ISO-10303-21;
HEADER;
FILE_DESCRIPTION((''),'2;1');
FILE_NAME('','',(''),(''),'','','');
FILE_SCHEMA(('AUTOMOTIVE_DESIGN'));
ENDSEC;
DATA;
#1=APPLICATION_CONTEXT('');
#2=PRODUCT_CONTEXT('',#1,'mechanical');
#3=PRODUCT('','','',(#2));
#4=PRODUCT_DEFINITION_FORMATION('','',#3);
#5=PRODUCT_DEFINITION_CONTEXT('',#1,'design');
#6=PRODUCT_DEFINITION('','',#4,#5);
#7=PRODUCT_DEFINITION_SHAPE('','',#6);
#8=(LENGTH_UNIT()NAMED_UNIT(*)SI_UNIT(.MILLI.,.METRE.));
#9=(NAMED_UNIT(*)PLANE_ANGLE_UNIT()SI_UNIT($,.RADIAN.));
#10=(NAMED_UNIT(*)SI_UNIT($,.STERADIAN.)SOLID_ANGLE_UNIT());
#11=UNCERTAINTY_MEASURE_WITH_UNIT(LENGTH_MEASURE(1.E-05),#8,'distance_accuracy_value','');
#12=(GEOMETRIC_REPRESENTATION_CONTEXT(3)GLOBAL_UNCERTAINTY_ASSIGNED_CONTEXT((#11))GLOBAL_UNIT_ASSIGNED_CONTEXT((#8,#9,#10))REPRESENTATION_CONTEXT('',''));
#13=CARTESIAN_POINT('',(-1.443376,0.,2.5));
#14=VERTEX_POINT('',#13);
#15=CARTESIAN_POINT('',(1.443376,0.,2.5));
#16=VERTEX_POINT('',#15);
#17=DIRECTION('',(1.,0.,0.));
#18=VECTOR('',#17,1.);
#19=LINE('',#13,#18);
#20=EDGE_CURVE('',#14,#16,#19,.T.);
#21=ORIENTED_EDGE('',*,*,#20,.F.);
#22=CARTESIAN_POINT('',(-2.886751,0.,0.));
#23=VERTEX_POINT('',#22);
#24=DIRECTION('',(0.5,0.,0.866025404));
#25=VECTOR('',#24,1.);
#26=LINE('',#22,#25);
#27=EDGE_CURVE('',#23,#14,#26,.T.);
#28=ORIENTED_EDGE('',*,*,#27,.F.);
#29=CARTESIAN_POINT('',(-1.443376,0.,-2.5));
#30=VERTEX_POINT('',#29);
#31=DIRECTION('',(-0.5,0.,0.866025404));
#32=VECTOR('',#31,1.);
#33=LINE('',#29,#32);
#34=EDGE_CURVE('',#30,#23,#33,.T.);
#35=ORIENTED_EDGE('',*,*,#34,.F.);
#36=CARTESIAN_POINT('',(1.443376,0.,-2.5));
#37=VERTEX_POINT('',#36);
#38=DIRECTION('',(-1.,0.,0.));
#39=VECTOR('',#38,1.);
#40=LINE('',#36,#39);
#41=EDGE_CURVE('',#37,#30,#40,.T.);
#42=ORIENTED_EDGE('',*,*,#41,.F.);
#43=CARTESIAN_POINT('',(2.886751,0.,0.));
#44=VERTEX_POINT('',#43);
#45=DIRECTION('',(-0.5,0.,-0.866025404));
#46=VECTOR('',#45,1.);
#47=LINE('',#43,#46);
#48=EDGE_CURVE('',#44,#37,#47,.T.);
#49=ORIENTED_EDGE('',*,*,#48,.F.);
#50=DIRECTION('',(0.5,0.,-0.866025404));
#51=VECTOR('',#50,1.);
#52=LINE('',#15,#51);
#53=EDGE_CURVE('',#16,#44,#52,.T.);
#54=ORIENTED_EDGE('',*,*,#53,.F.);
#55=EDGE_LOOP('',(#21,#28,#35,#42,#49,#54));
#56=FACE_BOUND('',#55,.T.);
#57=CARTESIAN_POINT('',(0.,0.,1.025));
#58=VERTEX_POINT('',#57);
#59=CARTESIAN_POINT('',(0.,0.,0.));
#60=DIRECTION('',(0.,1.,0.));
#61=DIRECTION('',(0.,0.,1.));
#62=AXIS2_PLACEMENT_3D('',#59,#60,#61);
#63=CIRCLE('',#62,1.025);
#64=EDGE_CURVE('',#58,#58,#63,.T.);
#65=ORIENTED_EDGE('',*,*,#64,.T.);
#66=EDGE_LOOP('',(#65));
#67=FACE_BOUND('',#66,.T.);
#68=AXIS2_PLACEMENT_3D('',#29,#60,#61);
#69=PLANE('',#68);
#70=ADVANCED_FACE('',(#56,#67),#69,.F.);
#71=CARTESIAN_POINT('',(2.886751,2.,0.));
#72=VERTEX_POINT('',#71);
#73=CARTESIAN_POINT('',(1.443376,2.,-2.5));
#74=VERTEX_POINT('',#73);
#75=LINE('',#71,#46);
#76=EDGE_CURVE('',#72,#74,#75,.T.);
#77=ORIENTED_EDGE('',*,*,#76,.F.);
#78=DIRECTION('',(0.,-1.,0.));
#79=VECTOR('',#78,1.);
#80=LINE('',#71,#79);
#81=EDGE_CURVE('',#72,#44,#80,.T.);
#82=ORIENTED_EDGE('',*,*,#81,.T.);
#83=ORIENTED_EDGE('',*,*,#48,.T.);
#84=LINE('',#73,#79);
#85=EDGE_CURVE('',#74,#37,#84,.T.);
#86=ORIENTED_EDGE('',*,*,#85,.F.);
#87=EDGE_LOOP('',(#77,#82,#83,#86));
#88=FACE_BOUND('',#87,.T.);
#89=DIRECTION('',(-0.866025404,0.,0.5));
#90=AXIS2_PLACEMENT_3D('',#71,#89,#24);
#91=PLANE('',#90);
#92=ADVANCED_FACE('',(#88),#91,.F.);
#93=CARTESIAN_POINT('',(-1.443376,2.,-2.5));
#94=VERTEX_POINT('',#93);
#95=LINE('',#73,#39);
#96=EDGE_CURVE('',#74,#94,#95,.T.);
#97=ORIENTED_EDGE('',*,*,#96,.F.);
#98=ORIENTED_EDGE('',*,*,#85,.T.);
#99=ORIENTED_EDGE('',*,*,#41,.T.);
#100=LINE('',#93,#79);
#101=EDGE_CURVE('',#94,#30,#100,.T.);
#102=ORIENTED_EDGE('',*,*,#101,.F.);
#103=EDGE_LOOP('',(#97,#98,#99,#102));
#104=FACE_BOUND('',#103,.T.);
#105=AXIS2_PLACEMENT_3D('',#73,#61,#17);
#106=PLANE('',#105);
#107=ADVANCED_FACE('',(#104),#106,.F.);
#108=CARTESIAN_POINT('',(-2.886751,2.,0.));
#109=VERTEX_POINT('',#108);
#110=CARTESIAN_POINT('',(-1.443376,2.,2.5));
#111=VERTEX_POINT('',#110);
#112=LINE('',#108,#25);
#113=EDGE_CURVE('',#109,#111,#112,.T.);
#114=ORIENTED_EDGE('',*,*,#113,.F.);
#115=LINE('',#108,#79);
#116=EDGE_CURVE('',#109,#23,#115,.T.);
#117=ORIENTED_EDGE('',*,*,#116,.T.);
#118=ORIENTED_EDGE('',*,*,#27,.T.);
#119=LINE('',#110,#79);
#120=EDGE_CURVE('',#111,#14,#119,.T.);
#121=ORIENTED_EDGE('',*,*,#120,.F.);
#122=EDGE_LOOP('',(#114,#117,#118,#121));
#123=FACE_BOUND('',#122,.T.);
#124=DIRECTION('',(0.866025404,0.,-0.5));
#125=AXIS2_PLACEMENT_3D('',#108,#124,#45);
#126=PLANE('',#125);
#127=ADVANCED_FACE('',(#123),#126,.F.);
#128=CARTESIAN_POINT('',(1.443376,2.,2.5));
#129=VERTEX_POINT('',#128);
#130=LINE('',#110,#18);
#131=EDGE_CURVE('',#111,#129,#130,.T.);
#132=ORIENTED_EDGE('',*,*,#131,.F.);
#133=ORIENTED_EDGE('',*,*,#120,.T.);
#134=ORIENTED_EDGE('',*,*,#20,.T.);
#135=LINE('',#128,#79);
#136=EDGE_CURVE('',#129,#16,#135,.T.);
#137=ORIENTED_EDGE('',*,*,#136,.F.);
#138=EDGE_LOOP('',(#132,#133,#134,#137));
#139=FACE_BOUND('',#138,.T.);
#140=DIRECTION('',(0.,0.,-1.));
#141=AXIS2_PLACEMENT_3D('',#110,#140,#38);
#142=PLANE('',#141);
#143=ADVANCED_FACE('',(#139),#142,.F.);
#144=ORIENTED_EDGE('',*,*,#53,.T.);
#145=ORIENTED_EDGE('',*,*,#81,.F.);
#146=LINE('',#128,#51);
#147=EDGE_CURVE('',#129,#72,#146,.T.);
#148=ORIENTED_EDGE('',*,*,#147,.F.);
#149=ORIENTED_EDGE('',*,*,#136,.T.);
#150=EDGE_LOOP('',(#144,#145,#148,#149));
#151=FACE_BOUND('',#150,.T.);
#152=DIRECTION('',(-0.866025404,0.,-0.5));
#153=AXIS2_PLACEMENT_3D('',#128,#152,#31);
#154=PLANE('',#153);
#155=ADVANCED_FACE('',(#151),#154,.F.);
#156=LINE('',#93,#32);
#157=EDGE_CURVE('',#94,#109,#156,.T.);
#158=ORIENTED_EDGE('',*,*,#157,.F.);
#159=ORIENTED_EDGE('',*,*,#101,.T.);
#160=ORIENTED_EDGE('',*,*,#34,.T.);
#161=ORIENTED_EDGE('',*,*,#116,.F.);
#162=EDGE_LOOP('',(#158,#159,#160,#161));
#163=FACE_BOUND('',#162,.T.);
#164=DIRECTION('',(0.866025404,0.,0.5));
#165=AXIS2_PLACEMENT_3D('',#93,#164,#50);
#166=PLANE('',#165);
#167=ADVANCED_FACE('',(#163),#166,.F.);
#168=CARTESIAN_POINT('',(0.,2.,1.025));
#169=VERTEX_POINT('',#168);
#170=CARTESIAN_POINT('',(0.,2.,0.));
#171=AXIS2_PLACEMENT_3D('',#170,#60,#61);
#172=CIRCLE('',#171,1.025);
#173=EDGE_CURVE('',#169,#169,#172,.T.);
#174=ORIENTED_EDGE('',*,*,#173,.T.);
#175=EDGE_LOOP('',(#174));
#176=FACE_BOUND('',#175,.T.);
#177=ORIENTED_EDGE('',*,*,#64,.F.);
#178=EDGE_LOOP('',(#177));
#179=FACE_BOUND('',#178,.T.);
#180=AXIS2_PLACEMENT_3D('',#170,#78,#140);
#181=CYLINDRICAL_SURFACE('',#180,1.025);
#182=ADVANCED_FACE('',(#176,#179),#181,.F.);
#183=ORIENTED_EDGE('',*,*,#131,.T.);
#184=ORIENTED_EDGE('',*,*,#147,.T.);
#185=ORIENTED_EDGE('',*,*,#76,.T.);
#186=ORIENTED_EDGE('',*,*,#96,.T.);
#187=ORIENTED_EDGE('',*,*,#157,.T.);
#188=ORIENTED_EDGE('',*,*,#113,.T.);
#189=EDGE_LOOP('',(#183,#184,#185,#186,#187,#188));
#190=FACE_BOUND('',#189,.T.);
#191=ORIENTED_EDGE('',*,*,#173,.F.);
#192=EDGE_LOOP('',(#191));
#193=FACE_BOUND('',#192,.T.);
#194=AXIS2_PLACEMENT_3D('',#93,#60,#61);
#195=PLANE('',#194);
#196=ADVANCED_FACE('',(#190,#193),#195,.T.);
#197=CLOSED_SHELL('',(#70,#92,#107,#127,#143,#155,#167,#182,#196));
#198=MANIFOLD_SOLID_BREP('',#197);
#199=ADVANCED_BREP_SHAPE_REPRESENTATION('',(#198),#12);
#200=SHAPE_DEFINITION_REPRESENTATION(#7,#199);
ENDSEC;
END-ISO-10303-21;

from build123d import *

# Parameters (mm, degrees)
CROQUIS1_R              = 1.025
SALIENTE_EXTRUIR1_DEPTH = 2


with BuildPart() as part:
    # Croquis1 → Saliente-Extruir1 (new body)
    with BuildSketch(Plane(origin=(0, 0, 0), x_dir=(1, 0, 0), z_dir=(0, 1, 0))):
        Polygon((-1.443375673, 2.5), (-2.886751346, 0), (-1.443375673, -2.5), (1.443375673, -2.5), (2.886751346, 0), (1.443375673, 2.5), align=None)
        with Locations(Location((0, 0, 0), (0, 0, 270))):
            Circle(CROQUIS1_R, mode=Mode.SUBTRACT)
    extrude(amount=SALIENTE_EXTRUIR1_DEPTH)


solid = part.part
